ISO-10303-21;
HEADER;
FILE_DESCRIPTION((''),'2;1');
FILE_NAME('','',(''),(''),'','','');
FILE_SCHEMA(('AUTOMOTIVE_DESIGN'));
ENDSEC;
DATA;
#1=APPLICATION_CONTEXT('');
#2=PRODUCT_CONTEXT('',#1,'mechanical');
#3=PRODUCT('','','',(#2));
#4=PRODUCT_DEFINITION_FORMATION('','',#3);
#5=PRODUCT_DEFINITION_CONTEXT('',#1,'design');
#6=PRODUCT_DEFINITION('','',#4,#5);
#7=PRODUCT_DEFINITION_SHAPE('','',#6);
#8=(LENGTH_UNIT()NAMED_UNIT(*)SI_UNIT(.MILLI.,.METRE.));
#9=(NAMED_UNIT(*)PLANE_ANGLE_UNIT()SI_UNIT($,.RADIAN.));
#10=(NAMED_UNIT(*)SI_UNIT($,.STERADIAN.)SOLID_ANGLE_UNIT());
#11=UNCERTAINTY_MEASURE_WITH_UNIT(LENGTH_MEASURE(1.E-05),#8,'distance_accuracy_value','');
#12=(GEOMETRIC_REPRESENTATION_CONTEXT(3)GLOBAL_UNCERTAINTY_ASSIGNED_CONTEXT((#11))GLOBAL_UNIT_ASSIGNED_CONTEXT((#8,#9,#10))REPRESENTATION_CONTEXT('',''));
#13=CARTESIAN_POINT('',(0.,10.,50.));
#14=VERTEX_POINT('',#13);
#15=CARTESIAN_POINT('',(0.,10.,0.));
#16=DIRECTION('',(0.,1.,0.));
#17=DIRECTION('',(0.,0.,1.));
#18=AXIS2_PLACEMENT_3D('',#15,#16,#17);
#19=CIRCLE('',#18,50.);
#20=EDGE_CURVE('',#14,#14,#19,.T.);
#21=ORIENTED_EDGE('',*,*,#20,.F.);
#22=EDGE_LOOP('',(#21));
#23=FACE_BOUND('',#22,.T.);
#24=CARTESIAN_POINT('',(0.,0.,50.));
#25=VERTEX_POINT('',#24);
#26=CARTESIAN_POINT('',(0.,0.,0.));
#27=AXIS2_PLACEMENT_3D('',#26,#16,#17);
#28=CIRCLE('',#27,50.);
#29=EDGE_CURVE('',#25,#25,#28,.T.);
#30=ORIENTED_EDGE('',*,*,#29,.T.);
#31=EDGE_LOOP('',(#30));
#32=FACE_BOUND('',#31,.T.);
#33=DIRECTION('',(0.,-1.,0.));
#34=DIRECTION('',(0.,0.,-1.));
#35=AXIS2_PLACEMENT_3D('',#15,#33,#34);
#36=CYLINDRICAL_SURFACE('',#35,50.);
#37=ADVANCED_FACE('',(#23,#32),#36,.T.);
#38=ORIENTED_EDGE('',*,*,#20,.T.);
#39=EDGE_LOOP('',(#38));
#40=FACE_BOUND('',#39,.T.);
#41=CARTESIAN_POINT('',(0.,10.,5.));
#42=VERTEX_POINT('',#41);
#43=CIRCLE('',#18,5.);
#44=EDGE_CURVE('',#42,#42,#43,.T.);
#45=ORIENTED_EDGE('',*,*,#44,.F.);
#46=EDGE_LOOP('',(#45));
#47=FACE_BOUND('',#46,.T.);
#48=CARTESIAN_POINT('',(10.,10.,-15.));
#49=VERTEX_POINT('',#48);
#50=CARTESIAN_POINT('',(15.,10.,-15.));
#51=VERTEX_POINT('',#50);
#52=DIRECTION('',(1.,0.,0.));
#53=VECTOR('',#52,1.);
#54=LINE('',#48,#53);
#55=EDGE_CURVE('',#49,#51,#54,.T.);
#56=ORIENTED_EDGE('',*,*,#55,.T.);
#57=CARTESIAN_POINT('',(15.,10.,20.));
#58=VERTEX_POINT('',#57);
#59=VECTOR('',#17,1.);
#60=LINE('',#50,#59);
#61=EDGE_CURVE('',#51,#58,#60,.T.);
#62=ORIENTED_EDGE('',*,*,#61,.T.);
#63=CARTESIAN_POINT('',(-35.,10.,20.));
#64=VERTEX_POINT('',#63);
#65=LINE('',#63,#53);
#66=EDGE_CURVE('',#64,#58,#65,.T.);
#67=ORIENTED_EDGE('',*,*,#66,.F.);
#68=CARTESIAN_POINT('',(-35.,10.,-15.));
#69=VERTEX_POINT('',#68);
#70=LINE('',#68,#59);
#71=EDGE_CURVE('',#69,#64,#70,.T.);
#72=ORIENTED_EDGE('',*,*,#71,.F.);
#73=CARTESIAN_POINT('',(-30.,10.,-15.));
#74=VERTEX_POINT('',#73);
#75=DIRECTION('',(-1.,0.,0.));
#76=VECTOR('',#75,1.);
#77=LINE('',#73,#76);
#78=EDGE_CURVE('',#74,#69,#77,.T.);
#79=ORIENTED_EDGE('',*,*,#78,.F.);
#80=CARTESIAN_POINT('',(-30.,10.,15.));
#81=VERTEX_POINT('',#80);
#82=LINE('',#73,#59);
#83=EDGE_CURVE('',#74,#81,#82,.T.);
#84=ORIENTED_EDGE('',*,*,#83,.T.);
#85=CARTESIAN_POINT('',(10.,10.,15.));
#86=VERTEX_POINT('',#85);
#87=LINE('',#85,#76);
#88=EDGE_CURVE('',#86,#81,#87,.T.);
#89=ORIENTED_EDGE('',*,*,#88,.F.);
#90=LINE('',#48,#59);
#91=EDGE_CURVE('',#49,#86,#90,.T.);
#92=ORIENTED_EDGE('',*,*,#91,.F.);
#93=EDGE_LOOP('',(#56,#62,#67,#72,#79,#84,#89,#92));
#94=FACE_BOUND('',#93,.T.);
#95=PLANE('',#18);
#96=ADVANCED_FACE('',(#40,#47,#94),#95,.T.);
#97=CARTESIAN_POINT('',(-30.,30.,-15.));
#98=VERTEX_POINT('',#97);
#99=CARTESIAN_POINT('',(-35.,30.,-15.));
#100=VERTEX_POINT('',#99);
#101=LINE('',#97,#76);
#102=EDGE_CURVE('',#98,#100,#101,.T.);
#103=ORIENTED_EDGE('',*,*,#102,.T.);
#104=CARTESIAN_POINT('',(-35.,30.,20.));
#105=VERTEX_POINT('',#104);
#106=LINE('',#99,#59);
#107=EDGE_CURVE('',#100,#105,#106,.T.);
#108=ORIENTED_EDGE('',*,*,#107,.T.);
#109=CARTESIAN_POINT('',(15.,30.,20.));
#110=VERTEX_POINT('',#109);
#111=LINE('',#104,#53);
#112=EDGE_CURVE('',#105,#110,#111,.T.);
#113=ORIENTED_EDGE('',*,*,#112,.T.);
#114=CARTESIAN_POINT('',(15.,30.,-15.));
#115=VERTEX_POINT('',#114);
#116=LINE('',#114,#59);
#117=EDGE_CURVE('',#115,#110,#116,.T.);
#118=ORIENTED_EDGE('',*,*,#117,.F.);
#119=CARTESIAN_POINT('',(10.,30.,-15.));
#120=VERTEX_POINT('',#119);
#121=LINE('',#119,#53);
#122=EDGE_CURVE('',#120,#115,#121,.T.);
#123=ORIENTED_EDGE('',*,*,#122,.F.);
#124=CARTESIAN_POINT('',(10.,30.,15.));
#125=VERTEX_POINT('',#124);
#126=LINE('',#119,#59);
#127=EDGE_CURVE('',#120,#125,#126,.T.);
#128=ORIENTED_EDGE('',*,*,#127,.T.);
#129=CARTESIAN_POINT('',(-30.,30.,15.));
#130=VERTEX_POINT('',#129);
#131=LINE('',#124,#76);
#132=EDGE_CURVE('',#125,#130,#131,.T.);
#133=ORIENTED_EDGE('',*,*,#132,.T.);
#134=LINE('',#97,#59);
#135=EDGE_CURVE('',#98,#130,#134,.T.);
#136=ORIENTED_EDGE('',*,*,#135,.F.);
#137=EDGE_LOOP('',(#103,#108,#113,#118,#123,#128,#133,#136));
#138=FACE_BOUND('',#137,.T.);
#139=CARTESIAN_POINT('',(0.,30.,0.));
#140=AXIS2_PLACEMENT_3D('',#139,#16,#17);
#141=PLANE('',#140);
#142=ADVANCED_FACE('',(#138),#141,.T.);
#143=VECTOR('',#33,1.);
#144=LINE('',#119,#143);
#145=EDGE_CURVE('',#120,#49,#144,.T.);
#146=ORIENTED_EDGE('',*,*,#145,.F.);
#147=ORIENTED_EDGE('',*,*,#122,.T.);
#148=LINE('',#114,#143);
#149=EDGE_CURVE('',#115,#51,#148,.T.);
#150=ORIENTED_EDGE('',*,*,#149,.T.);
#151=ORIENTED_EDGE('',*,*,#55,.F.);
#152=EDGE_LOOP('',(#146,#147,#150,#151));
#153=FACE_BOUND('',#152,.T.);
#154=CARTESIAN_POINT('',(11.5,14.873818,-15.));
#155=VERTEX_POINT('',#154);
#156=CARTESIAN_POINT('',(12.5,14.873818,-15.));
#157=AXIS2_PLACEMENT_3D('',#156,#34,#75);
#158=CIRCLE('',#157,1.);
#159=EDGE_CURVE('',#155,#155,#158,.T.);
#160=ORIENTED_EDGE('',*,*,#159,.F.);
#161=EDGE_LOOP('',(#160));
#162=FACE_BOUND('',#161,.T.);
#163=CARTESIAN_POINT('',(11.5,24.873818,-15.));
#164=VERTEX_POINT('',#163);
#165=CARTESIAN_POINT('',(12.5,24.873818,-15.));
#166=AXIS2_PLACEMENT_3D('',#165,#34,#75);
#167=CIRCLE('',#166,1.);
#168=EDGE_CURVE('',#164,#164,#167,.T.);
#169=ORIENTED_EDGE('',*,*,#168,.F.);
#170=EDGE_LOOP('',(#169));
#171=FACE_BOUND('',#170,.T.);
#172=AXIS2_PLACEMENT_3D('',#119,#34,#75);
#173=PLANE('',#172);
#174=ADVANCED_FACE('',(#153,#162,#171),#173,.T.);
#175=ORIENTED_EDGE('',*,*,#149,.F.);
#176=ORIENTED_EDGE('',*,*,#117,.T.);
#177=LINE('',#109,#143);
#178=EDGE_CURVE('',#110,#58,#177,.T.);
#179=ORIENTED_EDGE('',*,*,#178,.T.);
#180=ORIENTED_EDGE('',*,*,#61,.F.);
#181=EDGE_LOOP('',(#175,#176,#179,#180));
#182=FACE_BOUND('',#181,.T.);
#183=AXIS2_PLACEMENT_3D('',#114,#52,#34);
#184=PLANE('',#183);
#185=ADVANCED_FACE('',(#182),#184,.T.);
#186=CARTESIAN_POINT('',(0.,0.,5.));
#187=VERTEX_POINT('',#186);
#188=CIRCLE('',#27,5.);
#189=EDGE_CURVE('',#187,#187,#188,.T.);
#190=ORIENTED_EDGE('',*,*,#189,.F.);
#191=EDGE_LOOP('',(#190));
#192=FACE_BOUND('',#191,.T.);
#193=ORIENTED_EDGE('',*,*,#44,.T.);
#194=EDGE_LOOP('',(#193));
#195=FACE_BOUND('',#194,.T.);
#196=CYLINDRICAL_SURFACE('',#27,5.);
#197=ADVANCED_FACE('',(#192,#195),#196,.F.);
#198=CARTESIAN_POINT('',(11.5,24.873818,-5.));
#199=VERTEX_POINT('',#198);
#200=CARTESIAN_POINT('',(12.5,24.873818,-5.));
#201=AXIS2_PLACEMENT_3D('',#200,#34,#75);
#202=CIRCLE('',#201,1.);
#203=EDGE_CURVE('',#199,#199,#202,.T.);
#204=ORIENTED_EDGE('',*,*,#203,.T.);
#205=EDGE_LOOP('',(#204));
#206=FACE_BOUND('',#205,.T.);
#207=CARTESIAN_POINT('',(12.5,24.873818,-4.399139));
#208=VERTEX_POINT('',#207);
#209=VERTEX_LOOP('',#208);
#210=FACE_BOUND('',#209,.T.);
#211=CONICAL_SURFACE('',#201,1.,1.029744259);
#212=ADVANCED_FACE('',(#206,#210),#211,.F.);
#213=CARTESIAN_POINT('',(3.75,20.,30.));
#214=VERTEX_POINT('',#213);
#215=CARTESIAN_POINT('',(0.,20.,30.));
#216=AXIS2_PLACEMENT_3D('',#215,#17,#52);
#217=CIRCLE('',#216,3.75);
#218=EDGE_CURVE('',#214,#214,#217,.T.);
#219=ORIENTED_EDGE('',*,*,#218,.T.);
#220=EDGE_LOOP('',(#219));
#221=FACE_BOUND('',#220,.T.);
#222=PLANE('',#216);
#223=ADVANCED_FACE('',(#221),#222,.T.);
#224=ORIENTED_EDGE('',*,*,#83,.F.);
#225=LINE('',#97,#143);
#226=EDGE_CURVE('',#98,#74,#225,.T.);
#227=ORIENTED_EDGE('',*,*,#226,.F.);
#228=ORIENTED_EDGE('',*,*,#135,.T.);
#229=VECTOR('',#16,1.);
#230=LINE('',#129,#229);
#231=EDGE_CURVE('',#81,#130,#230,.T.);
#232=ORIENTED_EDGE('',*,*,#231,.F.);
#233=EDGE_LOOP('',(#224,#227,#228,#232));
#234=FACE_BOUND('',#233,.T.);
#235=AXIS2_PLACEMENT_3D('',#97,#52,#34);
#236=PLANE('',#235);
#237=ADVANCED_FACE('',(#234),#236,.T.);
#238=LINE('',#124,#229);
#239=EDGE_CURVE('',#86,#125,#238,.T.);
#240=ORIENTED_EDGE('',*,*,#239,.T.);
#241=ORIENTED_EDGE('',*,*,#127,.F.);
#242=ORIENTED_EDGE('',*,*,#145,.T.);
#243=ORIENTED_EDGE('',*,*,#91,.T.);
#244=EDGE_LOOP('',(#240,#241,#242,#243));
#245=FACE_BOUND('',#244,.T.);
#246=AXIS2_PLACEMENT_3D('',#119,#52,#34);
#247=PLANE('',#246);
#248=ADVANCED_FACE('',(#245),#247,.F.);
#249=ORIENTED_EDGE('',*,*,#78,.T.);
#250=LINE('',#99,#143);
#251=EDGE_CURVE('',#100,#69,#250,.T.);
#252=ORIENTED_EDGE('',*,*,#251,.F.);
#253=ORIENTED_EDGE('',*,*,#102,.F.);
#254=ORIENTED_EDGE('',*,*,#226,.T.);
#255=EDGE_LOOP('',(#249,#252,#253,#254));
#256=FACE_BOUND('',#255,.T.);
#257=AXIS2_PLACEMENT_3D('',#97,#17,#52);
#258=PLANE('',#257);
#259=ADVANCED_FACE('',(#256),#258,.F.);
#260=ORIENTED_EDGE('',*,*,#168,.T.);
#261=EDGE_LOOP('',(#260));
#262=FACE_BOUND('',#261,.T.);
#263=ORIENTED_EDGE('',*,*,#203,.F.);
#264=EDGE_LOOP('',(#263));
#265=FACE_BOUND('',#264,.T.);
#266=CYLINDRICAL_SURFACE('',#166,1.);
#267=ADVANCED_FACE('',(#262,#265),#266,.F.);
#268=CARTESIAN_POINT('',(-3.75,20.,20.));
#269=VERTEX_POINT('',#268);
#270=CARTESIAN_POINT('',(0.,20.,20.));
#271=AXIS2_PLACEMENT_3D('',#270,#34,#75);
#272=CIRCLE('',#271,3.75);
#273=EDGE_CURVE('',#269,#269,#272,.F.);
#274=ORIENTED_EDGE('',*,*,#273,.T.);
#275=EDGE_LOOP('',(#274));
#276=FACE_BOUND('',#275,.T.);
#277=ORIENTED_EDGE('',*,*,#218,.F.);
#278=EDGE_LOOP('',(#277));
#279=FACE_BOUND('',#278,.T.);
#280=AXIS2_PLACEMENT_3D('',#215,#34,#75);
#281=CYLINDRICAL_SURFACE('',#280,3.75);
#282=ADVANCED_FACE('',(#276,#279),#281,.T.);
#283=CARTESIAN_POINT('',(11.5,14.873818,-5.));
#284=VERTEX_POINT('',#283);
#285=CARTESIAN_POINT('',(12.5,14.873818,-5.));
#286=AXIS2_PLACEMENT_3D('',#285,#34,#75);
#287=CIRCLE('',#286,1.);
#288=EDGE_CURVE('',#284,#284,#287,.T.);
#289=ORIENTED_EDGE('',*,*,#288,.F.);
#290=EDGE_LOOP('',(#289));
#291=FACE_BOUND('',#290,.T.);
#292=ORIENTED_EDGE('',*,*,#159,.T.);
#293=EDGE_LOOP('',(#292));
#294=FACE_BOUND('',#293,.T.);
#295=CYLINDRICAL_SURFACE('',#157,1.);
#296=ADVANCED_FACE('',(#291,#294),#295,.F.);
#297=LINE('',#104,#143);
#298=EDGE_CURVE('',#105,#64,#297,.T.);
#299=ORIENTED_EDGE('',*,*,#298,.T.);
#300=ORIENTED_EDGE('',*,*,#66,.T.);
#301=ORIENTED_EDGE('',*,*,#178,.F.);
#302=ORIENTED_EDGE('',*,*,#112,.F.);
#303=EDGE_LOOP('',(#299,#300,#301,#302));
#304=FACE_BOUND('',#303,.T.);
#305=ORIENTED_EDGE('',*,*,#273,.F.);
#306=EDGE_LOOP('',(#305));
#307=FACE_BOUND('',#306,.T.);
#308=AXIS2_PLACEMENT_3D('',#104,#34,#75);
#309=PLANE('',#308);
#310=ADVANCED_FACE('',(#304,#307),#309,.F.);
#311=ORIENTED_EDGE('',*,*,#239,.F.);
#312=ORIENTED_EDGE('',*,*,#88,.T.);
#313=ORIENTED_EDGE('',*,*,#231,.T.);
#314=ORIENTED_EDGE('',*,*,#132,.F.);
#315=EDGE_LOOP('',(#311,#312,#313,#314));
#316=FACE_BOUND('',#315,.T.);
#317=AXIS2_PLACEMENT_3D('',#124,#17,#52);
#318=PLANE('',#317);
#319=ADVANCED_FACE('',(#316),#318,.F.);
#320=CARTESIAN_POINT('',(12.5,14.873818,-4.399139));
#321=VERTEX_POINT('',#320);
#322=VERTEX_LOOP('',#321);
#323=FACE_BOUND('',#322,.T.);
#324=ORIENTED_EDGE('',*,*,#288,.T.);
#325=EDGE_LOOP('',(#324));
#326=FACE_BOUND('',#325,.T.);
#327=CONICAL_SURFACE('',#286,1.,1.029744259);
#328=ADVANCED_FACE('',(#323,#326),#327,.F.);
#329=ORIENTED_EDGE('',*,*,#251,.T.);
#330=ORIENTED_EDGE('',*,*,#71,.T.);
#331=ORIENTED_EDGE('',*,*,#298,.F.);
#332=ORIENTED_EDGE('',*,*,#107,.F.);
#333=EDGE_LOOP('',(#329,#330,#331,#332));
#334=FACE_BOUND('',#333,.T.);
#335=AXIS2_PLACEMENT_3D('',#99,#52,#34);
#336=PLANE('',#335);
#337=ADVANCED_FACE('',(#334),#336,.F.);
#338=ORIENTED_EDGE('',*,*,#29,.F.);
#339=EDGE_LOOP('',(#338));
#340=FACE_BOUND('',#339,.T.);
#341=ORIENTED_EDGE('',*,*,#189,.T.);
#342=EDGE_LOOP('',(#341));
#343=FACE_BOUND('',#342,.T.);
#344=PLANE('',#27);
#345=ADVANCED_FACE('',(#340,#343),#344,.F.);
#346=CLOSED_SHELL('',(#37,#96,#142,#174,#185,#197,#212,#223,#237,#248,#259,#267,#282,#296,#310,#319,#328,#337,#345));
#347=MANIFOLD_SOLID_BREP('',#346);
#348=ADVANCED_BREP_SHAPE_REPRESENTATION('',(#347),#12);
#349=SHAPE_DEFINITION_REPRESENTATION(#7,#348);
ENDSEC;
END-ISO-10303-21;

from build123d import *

# Parameters (mm, degrees)
SKETCH1_R                 = 50
BOSS_EXTRUDE1_DEPTH       = 10
SKETCH2_R                 = 5
CUT_EXTRUDE1_DEPTH        = 10
SKETCH6_W                 = 5
SKETCH6_H                 = 35
BOSS_EXTRUDE4_DEPTH       = 20
SKETCH7_W                 = 5
SKETCH7_H                 = 20
BOSS_EXTRUDE5_DEPTH       = 40
F_2_0MM_DOWEL_HOLE1_D     = 2
F_2_0MM_DOWEL_HOLE1_DEPTH = 10
F_2_0MM_DOWEL_HOLE1_TIP   = 0.600860619
SKETCH12_R                = 3.75
BOSS_EXTRUDE6_DEPTH       = 10


with BuildPart() as part:
    # Sketch1 → Boss-Extrude1 (new body)
    with BuildSketch(Plane(origin=(0, 0, 0), x_dir=(1, 0, 0), z_dir=(0, 1, 0))):
        Circle(SKETCH1_R)
    extrude(amount=BOSS_EXTRUDE1_DEPTH)

    # Sketch2 → Cut-Extrude1 (cut)
    with BuildSketch(Plane(origin=(0, 10, 0), x_dir=(1, 0, 0), z_dir=(0, 1, 0))):
        Circle(SKETCH2_R)
    extrude(amount=-CUT_EXTRUDE1_DEPTH, mode=Mode.SUBTRACT)

    # Sketch6 → Boss-Extrude4 (add)
    with BuildSketch(Plane(origin=(0, 10, 0), x_dir=(1, 0, 0), z_dir=(0, 1, 0))):
        with Locations((12.5, -2.5)):
            Rectangle(SKETCH6_W, SKETCH6_H)
        with Locations((-32.5, -2.5)):
            Rectangle(SKETCH6_W, SKETCH6_H)
    extrude(amount=BOSS_EXTRUDE4_DEPTH)

    # Sketch7 → Boss-Extrude5 (add)
    with BuildSketch(Plane(origin=(-30, 0, 0), x_dir=(0, 0, -1), z_dir=(1, 0, 0))):
        with Locations((-17.5, 20)):
            Rectangle(SKETCH7_W, SKETCH7_H)
    extrude(amount=BOSS_EXTRUDE5_DEPTH)

    # Ø2.0mm Dowel Hole1
    with Locations(Plane(origin=(0, 0, -15), x_dir=(-1, 0, 0), z_dir=(0, 0, -1))):
        with Locations((-12.5, 24.873818091), (-12.5, 14.873818091)):
            Hole(F_2_0MM_DOWEL_HOLE1_D / 2, depth=F_2_0MM_DOWEL_HOLE1_DEPTH)
            with Locations((0, 0, -(F_2_0MM_DOWEL_HOLE1_DEPTH + F_2_0MM_DOWEL_HOLE1_TIP / 2))):  # 118° drill point
                Cone(0, F_2_0MM_DOWEL_HOLE1_D / 2, F_2_0MM_DOWEL_HOLE1_TIP, mode=Mode.SUBTRACT)

    # Sketch12 → Boss-Extrude6 (add)
    with BuildSketch(Plane.XY.offset(20)):
        with Locations((0, 20)):
            Circle(SKETCH12_R)
    extrude(amount=BOSS_EXTRUDE6_DEPTH)


solid = part.part
